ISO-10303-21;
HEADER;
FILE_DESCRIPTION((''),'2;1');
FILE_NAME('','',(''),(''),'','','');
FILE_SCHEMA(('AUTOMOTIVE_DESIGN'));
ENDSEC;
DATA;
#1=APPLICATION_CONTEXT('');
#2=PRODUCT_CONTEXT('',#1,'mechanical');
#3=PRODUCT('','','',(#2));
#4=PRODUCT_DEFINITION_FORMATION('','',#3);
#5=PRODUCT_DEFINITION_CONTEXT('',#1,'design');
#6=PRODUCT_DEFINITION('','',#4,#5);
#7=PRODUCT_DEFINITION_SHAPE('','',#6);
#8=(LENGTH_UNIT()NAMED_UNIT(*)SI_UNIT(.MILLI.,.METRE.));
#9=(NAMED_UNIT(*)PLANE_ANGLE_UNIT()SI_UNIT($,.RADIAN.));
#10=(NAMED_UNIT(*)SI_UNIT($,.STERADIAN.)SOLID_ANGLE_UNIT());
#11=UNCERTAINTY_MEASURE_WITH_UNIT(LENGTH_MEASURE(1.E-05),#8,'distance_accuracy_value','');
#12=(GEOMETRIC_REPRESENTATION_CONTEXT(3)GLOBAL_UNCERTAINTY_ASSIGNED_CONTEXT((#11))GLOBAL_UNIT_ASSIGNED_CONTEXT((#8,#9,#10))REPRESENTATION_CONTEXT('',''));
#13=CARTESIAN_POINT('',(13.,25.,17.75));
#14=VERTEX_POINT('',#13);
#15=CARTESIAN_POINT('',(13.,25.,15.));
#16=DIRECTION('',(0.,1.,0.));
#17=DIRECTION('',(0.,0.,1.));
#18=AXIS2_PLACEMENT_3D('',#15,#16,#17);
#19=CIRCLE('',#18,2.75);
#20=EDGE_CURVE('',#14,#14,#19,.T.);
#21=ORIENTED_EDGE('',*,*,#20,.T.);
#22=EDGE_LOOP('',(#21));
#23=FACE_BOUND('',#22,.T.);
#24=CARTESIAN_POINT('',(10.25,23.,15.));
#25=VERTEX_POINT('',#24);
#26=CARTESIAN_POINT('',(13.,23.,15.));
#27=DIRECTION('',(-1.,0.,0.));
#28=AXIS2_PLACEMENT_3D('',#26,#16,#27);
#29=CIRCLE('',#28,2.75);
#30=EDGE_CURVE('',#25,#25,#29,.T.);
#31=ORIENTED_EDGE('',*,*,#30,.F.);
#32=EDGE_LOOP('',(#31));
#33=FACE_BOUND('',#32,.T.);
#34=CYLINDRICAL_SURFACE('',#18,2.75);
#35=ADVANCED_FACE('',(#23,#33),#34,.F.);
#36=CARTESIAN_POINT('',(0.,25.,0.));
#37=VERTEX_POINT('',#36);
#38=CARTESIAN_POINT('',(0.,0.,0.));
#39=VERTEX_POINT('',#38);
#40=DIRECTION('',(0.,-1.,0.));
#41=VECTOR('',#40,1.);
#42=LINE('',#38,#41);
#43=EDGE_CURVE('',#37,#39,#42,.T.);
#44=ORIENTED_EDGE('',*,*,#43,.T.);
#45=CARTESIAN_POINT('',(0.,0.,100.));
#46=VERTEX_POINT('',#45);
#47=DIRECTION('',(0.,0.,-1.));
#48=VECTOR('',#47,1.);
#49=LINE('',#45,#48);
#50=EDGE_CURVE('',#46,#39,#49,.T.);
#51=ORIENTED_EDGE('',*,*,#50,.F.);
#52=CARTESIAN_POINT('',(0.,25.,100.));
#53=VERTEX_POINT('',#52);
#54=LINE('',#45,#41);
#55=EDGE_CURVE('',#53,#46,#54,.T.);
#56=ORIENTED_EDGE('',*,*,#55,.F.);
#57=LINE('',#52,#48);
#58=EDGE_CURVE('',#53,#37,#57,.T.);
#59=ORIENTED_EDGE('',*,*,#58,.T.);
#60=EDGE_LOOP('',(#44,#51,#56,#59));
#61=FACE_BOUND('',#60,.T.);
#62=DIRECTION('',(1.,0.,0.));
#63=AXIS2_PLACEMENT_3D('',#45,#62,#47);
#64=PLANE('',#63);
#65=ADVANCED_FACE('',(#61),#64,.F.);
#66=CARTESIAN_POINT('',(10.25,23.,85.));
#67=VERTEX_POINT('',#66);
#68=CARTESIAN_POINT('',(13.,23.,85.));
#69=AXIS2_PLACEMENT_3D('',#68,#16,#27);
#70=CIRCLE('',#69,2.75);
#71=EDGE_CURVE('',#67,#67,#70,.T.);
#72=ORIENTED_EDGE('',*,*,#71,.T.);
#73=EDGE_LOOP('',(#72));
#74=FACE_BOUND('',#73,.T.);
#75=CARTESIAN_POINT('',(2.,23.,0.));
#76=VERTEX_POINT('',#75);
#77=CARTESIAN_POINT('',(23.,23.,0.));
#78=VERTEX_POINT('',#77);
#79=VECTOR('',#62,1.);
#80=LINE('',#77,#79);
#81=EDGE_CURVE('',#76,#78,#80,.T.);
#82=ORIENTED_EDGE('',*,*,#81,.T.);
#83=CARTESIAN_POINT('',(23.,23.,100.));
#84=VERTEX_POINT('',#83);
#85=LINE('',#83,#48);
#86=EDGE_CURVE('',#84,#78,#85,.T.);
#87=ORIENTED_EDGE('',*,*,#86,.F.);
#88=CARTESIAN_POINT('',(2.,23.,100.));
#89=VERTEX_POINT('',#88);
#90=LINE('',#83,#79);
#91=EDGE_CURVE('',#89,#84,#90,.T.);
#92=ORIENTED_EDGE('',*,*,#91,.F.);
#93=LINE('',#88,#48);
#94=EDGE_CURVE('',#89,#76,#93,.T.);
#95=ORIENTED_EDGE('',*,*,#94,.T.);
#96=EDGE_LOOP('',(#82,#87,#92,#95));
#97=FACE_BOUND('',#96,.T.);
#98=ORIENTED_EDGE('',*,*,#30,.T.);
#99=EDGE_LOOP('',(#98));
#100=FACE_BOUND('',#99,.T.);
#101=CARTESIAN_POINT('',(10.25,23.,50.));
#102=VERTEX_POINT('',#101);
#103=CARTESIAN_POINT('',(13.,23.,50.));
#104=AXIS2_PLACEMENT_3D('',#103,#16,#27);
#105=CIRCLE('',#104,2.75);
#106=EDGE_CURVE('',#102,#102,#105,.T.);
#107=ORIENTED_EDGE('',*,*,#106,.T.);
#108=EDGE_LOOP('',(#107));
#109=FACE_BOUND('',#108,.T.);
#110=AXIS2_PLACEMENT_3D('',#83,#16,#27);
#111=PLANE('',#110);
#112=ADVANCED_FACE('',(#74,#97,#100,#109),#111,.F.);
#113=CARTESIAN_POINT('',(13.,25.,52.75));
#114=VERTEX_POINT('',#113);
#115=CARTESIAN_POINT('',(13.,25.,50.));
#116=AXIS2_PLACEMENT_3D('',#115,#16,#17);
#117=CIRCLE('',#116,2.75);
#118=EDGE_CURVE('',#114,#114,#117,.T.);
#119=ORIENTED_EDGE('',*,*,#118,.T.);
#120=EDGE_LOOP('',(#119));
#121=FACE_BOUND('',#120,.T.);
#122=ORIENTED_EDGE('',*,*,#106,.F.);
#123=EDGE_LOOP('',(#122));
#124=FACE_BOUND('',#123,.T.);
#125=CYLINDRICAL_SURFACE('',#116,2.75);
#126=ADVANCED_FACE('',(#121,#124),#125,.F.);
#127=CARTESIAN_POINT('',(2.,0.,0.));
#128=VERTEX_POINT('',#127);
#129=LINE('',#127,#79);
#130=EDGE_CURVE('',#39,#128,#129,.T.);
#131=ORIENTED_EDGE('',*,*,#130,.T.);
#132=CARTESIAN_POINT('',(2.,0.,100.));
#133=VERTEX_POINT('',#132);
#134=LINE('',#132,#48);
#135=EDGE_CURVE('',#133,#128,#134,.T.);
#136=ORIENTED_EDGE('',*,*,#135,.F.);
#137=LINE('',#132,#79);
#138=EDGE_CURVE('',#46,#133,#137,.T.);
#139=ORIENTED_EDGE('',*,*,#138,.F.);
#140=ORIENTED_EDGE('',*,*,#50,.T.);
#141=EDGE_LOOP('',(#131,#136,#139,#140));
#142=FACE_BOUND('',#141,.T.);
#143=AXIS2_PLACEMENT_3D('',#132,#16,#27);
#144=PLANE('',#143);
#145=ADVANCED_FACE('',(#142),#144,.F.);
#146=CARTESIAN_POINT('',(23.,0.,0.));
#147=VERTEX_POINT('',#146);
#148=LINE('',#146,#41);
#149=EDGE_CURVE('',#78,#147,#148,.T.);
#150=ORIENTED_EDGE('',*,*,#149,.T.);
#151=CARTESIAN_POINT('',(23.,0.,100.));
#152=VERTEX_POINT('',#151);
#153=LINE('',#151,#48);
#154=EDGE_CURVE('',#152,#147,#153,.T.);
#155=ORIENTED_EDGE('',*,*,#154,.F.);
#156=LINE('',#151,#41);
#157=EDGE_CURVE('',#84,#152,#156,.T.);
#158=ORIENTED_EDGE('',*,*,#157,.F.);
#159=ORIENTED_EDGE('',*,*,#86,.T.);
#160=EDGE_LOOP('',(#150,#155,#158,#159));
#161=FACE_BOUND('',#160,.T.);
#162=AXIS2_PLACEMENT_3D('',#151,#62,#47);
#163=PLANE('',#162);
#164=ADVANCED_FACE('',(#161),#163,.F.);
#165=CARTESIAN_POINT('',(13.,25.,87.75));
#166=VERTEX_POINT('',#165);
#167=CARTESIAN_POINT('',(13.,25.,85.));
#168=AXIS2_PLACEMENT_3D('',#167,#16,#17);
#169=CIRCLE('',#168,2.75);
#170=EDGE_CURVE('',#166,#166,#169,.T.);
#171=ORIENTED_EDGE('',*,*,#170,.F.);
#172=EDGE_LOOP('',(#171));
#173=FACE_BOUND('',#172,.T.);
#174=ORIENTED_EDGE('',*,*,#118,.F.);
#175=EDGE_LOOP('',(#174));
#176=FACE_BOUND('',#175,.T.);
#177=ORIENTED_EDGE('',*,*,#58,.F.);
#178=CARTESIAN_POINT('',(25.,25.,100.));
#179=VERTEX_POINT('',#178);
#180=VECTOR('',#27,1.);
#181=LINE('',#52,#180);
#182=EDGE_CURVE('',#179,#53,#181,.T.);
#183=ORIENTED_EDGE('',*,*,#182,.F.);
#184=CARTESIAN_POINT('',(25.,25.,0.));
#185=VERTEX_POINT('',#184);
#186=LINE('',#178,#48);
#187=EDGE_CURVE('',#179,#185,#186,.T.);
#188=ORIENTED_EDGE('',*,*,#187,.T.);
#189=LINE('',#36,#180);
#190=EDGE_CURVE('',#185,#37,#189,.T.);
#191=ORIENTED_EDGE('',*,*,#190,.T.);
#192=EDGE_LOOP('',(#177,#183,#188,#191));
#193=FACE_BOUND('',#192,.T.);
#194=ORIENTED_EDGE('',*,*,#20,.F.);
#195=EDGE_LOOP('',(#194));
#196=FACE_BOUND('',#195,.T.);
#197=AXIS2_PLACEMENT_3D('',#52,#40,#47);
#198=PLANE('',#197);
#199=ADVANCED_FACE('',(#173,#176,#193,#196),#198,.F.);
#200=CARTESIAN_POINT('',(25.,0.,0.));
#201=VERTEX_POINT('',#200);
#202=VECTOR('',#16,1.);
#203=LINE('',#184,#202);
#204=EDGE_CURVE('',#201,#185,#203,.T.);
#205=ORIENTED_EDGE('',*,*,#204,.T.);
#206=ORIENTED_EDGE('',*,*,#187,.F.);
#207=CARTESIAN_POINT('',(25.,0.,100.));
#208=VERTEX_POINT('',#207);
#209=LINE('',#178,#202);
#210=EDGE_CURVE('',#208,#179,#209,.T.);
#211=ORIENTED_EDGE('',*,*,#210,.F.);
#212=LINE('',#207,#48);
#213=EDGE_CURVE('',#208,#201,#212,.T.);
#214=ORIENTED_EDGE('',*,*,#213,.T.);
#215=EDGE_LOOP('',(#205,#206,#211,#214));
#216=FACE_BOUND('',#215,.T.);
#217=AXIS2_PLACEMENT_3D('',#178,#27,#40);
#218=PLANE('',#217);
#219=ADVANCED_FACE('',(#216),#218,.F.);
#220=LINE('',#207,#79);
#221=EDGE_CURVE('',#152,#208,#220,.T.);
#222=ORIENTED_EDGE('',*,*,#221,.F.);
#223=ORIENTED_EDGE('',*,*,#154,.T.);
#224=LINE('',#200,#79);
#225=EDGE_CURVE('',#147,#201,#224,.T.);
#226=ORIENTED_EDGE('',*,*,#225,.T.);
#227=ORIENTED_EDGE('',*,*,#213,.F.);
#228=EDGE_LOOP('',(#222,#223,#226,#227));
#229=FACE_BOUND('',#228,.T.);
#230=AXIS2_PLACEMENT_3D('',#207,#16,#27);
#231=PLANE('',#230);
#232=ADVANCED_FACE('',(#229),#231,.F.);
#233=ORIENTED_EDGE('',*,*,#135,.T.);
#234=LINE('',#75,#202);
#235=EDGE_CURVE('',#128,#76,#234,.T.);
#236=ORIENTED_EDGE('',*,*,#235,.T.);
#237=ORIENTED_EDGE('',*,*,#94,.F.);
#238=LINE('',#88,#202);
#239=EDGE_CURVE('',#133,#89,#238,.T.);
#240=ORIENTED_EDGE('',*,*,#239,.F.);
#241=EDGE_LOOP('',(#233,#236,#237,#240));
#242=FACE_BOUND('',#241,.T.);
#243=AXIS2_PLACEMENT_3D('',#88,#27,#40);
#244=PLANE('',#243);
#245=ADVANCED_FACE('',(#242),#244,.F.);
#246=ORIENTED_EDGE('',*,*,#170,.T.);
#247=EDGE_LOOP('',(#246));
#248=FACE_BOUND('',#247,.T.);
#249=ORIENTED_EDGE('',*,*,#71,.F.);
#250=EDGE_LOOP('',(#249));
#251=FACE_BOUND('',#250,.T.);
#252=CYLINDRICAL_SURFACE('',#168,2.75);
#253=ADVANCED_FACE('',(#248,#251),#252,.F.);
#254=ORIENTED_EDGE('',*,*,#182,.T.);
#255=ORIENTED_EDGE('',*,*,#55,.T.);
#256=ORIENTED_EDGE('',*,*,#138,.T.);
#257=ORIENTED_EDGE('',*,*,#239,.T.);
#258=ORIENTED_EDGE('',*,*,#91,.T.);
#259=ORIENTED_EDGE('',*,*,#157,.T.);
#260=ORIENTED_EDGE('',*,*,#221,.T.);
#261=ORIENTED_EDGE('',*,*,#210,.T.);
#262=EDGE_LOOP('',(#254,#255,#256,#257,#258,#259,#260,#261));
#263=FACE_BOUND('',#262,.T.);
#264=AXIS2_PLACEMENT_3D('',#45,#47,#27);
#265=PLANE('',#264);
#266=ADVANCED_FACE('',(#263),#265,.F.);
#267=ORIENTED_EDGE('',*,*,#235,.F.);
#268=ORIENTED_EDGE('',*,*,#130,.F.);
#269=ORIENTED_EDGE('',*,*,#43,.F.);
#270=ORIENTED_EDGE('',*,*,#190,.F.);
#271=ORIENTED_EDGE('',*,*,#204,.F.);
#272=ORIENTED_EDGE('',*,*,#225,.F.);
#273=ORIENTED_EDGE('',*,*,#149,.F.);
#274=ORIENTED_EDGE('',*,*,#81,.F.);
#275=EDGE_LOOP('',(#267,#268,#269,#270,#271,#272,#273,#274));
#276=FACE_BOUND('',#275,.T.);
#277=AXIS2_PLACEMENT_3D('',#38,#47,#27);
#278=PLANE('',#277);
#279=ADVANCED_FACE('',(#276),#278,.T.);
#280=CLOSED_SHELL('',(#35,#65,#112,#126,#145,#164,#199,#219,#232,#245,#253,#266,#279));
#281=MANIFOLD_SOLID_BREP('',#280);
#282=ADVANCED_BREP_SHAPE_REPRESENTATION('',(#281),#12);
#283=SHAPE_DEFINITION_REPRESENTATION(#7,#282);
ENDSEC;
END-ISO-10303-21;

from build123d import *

# Parameters (mm, degrees)
DODANIE_WYCI_GNI_CIE1_DEPTH = 100
M5_CLEARANCE_HOLE1_D        = 5.5


with BuildPart() as part:
    # Szkic1 → Dodanie-wyciągnięcie1 (new body)
    with BuildSketch(Plane.XY):
        Polygon((0, 0), (0, 25), (25, 25), (25, 0), (23, 0), (23, 23), (2, 23), (2, 0), align=None)
    extrude(amount=DODANIE_WYCI_GNI_CIE1_DEPTH)

    # M5 Clearance Hole1 (through all)
    with Locations(Plane(origin=(0, 25, 0), x_dir=(1, 0, 0), z_dir=(0, 1, 0))):
        with Locations((13, -50), (13, -15), (13, -85)):
            Hole(M5_CLEARANCE_HOLE1_D / 2)


solid = part.part
